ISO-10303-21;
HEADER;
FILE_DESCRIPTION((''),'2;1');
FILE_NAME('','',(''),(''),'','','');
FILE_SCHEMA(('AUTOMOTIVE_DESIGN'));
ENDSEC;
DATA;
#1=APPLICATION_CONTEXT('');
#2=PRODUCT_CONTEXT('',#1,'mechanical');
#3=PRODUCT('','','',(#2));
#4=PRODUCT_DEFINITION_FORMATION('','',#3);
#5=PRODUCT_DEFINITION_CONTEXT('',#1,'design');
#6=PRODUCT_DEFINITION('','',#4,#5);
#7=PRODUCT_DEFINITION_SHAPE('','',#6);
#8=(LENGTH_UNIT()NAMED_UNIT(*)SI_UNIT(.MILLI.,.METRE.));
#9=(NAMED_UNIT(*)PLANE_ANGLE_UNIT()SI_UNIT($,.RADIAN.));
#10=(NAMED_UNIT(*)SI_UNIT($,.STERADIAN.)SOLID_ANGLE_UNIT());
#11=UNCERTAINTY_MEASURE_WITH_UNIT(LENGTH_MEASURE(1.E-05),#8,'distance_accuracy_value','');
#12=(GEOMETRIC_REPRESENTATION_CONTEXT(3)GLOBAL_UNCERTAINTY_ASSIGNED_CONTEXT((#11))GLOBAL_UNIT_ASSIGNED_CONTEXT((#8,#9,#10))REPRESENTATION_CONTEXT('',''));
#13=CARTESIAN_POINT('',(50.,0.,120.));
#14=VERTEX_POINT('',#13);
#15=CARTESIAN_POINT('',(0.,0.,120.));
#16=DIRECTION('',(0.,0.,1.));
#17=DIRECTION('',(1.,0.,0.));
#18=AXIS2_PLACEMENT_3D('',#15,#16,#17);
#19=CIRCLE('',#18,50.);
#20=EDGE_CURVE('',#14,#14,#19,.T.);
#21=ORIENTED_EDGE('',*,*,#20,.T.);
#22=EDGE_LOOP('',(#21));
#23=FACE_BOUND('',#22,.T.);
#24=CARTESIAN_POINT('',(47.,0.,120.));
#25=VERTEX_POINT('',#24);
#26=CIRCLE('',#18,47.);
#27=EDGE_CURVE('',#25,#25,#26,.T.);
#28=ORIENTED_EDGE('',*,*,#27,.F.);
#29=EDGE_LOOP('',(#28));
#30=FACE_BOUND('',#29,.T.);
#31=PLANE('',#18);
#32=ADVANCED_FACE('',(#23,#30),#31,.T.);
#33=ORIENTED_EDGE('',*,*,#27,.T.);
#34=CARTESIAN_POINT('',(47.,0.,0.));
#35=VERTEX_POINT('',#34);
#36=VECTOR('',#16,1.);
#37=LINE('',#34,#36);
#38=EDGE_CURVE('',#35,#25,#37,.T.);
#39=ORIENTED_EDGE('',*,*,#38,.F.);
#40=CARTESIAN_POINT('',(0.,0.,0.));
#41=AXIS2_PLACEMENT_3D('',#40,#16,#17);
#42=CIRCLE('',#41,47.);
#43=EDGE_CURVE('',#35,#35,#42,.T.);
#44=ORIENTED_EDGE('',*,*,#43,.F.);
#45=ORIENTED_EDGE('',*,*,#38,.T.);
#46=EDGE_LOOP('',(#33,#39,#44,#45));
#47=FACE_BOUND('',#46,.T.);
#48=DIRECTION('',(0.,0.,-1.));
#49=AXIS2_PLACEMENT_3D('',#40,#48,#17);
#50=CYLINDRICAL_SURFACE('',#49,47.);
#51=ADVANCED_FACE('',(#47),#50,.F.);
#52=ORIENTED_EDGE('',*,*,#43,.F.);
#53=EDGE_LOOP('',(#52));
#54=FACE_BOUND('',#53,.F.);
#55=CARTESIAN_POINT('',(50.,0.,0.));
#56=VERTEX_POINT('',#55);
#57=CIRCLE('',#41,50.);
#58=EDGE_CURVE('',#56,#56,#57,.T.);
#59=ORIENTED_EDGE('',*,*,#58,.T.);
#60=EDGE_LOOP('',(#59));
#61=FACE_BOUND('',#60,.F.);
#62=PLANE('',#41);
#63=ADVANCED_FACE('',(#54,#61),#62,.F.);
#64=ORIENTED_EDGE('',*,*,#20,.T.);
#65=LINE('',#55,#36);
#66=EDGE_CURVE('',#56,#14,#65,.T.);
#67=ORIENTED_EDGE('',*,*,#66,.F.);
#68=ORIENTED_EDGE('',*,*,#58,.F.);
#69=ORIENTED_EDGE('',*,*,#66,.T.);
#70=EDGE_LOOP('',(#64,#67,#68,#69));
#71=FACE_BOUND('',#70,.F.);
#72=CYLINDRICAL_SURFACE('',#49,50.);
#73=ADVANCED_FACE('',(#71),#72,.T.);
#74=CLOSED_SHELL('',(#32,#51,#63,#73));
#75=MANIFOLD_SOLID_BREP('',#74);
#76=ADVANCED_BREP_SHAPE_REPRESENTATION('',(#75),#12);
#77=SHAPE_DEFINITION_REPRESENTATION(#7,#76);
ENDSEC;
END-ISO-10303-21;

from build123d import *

# Parameters (mm, degrees)
SKETCH_R   = 50
SKETCH_R_2 = 47
PAD_DEPTH  = 120


with BuildPart() as part:
    # Sketch → Pad (new body)
    with BuildSketch(Plane.XY):
        Circle(SKETCH_R)
        Circle(SKETCH_R_2, mode=Mode.SUBTRACT)
    extrude(amount=PAD_DEPTH)


solid = part.part
